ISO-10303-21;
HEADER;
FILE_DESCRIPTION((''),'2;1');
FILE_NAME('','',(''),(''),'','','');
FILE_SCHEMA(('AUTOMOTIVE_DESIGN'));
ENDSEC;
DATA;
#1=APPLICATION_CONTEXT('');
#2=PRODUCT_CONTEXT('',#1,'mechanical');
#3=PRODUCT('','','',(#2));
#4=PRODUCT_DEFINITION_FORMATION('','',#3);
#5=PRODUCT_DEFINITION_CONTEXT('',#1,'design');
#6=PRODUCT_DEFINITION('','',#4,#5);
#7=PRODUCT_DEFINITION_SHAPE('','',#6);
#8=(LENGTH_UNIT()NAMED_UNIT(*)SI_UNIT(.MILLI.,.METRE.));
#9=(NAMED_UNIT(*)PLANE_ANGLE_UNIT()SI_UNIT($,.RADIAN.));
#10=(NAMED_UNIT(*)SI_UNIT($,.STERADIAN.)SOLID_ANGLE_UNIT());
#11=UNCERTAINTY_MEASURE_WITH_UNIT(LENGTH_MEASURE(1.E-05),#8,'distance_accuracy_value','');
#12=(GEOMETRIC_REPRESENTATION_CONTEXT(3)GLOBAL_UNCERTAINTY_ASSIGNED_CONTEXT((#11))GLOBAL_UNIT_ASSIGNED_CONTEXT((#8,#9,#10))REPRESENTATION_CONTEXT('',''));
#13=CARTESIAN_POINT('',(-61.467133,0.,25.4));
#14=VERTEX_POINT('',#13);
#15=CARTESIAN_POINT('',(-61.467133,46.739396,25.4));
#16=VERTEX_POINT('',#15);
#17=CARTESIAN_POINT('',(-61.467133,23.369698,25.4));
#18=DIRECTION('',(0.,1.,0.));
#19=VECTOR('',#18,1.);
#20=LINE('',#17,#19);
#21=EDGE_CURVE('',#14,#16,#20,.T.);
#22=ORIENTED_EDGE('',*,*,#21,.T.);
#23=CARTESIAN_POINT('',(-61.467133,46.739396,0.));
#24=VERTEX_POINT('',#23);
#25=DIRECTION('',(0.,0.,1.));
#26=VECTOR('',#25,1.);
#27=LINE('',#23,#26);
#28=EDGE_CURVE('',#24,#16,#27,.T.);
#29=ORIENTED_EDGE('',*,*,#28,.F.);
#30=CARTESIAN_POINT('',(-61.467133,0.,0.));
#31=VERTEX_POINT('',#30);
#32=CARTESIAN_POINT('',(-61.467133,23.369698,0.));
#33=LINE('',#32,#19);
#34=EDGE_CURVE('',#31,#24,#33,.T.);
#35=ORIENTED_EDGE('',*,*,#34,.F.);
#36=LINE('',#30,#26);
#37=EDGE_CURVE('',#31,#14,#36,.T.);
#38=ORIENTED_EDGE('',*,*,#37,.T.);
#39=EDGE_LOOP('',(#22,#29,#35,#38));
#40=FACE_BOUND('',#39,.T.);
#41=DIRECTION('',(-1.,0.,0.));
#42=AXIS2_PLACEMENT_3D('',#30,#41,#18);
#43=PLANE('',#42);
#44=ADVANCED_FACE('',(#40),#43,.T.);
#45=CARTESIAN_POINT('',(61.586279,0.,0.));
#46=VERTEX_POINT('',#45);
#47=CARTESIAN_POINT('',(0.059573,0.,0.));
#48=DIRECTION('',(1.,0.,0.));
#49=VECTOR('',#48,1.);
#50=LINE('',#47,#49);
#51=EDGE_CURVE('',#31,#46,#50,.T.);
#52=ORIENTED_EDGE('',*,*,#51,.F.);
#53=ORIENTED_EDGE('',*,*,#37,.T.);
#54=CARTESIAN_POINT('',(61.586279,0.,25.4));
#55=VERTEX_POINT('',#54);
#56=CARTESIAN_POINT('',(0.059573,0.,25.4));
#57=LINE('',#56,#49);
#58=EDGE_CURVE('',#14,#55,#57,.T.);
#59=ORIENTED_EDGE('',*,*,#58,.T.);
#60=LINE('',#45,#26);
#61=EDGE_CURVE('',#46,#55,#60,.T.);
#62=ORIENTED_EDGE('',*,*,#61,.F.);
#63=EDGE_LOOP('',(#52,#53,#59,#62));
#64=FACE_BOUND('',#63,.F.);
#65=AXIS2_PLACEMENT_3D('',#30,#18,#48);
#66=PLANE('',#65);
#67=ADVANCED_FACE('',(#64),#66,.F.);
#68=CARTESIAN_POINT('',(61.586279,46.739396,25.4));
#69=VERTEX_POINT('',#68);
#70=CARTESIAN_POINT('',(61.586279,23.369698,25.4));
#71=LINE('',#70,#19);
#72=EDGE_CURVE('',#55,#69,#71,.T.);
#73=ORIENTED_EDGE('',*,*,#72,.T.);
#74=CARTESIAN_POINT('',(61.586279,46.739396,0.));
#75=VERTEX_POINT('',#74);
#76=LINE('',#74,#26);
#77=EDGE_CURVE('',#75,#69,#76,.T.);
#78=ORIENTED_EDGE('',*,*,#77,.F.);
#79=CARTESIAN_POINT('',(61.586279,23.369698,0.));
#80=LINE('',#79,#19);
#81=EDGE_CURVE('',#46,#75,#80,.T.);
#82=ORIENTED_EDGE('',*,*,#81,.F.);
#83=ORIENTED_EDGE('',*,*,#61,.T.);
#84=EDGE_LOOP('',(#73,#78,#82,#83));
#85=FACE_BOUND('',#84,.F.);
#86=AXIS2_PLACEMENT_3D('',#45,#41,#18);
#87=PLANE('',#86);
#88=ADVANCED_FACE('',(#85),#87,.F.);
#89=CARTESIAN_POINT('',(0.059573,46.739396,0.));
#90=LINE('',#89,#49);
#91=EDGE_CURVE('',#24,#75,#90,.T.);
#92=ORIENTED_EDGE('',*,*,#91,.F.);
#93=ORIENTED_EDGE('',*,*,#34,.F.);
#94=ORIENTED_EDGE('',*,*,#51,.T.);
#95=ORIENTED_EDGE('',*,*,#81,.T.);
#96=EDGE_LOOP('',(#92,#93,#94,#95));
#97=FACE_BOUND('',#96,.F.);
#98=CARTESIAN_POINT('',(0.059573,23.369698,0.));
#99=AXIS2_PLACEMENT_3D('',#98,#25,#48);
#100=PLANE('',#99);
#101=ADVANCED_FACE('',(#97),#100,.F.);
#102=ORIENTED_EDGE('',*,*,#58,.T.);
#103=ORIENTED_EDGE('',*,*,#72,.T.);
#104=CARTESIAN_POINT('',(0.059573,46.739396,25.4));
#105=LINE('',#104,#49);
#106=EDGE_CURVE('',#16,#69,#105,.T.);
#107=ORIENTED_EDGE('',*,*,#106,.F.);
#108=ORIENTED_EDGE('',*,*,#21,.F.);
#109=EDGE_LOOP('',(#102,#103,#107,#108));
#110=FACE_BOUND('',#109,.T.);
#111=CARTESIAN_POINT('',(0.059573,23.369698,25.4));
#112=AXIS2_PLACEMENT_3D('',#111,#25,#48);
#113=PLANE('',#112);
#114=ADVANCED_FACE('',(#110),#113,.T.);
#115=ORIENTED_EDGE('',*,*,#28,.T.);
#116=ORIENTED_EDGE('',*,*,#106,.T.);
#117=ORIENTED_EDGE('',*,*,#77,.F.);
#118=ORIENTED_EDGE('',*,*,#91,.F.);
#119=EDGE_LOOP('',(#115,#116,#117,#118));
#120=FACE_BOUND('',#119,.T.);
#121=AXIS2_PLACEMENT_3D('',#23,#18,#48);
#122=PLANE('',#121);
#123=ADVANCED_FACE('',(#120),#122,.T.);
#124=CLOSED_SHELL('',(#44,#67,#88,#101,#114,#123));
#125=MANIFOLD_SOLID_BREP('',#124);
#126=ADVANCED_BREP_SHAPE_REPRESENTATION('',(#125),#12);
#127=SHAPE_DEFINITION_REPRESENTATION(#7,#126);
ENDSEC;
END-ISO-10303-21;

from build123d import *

# Parameters (mm, degrees)
F1_W     = 123.053412
F1_H     = 46.739396
F2_DEPTH = 25.4


with BuildPart() as f2:
    # F1 (on face) → F2 (new body)
    with BuildSketch(Plane.XY):
        with Locations((0.059573, 23.369698)):
            Rectangle(F1_W, F1_H)
    extrude(amount=F2_DEPTH)


solid = f2.part
